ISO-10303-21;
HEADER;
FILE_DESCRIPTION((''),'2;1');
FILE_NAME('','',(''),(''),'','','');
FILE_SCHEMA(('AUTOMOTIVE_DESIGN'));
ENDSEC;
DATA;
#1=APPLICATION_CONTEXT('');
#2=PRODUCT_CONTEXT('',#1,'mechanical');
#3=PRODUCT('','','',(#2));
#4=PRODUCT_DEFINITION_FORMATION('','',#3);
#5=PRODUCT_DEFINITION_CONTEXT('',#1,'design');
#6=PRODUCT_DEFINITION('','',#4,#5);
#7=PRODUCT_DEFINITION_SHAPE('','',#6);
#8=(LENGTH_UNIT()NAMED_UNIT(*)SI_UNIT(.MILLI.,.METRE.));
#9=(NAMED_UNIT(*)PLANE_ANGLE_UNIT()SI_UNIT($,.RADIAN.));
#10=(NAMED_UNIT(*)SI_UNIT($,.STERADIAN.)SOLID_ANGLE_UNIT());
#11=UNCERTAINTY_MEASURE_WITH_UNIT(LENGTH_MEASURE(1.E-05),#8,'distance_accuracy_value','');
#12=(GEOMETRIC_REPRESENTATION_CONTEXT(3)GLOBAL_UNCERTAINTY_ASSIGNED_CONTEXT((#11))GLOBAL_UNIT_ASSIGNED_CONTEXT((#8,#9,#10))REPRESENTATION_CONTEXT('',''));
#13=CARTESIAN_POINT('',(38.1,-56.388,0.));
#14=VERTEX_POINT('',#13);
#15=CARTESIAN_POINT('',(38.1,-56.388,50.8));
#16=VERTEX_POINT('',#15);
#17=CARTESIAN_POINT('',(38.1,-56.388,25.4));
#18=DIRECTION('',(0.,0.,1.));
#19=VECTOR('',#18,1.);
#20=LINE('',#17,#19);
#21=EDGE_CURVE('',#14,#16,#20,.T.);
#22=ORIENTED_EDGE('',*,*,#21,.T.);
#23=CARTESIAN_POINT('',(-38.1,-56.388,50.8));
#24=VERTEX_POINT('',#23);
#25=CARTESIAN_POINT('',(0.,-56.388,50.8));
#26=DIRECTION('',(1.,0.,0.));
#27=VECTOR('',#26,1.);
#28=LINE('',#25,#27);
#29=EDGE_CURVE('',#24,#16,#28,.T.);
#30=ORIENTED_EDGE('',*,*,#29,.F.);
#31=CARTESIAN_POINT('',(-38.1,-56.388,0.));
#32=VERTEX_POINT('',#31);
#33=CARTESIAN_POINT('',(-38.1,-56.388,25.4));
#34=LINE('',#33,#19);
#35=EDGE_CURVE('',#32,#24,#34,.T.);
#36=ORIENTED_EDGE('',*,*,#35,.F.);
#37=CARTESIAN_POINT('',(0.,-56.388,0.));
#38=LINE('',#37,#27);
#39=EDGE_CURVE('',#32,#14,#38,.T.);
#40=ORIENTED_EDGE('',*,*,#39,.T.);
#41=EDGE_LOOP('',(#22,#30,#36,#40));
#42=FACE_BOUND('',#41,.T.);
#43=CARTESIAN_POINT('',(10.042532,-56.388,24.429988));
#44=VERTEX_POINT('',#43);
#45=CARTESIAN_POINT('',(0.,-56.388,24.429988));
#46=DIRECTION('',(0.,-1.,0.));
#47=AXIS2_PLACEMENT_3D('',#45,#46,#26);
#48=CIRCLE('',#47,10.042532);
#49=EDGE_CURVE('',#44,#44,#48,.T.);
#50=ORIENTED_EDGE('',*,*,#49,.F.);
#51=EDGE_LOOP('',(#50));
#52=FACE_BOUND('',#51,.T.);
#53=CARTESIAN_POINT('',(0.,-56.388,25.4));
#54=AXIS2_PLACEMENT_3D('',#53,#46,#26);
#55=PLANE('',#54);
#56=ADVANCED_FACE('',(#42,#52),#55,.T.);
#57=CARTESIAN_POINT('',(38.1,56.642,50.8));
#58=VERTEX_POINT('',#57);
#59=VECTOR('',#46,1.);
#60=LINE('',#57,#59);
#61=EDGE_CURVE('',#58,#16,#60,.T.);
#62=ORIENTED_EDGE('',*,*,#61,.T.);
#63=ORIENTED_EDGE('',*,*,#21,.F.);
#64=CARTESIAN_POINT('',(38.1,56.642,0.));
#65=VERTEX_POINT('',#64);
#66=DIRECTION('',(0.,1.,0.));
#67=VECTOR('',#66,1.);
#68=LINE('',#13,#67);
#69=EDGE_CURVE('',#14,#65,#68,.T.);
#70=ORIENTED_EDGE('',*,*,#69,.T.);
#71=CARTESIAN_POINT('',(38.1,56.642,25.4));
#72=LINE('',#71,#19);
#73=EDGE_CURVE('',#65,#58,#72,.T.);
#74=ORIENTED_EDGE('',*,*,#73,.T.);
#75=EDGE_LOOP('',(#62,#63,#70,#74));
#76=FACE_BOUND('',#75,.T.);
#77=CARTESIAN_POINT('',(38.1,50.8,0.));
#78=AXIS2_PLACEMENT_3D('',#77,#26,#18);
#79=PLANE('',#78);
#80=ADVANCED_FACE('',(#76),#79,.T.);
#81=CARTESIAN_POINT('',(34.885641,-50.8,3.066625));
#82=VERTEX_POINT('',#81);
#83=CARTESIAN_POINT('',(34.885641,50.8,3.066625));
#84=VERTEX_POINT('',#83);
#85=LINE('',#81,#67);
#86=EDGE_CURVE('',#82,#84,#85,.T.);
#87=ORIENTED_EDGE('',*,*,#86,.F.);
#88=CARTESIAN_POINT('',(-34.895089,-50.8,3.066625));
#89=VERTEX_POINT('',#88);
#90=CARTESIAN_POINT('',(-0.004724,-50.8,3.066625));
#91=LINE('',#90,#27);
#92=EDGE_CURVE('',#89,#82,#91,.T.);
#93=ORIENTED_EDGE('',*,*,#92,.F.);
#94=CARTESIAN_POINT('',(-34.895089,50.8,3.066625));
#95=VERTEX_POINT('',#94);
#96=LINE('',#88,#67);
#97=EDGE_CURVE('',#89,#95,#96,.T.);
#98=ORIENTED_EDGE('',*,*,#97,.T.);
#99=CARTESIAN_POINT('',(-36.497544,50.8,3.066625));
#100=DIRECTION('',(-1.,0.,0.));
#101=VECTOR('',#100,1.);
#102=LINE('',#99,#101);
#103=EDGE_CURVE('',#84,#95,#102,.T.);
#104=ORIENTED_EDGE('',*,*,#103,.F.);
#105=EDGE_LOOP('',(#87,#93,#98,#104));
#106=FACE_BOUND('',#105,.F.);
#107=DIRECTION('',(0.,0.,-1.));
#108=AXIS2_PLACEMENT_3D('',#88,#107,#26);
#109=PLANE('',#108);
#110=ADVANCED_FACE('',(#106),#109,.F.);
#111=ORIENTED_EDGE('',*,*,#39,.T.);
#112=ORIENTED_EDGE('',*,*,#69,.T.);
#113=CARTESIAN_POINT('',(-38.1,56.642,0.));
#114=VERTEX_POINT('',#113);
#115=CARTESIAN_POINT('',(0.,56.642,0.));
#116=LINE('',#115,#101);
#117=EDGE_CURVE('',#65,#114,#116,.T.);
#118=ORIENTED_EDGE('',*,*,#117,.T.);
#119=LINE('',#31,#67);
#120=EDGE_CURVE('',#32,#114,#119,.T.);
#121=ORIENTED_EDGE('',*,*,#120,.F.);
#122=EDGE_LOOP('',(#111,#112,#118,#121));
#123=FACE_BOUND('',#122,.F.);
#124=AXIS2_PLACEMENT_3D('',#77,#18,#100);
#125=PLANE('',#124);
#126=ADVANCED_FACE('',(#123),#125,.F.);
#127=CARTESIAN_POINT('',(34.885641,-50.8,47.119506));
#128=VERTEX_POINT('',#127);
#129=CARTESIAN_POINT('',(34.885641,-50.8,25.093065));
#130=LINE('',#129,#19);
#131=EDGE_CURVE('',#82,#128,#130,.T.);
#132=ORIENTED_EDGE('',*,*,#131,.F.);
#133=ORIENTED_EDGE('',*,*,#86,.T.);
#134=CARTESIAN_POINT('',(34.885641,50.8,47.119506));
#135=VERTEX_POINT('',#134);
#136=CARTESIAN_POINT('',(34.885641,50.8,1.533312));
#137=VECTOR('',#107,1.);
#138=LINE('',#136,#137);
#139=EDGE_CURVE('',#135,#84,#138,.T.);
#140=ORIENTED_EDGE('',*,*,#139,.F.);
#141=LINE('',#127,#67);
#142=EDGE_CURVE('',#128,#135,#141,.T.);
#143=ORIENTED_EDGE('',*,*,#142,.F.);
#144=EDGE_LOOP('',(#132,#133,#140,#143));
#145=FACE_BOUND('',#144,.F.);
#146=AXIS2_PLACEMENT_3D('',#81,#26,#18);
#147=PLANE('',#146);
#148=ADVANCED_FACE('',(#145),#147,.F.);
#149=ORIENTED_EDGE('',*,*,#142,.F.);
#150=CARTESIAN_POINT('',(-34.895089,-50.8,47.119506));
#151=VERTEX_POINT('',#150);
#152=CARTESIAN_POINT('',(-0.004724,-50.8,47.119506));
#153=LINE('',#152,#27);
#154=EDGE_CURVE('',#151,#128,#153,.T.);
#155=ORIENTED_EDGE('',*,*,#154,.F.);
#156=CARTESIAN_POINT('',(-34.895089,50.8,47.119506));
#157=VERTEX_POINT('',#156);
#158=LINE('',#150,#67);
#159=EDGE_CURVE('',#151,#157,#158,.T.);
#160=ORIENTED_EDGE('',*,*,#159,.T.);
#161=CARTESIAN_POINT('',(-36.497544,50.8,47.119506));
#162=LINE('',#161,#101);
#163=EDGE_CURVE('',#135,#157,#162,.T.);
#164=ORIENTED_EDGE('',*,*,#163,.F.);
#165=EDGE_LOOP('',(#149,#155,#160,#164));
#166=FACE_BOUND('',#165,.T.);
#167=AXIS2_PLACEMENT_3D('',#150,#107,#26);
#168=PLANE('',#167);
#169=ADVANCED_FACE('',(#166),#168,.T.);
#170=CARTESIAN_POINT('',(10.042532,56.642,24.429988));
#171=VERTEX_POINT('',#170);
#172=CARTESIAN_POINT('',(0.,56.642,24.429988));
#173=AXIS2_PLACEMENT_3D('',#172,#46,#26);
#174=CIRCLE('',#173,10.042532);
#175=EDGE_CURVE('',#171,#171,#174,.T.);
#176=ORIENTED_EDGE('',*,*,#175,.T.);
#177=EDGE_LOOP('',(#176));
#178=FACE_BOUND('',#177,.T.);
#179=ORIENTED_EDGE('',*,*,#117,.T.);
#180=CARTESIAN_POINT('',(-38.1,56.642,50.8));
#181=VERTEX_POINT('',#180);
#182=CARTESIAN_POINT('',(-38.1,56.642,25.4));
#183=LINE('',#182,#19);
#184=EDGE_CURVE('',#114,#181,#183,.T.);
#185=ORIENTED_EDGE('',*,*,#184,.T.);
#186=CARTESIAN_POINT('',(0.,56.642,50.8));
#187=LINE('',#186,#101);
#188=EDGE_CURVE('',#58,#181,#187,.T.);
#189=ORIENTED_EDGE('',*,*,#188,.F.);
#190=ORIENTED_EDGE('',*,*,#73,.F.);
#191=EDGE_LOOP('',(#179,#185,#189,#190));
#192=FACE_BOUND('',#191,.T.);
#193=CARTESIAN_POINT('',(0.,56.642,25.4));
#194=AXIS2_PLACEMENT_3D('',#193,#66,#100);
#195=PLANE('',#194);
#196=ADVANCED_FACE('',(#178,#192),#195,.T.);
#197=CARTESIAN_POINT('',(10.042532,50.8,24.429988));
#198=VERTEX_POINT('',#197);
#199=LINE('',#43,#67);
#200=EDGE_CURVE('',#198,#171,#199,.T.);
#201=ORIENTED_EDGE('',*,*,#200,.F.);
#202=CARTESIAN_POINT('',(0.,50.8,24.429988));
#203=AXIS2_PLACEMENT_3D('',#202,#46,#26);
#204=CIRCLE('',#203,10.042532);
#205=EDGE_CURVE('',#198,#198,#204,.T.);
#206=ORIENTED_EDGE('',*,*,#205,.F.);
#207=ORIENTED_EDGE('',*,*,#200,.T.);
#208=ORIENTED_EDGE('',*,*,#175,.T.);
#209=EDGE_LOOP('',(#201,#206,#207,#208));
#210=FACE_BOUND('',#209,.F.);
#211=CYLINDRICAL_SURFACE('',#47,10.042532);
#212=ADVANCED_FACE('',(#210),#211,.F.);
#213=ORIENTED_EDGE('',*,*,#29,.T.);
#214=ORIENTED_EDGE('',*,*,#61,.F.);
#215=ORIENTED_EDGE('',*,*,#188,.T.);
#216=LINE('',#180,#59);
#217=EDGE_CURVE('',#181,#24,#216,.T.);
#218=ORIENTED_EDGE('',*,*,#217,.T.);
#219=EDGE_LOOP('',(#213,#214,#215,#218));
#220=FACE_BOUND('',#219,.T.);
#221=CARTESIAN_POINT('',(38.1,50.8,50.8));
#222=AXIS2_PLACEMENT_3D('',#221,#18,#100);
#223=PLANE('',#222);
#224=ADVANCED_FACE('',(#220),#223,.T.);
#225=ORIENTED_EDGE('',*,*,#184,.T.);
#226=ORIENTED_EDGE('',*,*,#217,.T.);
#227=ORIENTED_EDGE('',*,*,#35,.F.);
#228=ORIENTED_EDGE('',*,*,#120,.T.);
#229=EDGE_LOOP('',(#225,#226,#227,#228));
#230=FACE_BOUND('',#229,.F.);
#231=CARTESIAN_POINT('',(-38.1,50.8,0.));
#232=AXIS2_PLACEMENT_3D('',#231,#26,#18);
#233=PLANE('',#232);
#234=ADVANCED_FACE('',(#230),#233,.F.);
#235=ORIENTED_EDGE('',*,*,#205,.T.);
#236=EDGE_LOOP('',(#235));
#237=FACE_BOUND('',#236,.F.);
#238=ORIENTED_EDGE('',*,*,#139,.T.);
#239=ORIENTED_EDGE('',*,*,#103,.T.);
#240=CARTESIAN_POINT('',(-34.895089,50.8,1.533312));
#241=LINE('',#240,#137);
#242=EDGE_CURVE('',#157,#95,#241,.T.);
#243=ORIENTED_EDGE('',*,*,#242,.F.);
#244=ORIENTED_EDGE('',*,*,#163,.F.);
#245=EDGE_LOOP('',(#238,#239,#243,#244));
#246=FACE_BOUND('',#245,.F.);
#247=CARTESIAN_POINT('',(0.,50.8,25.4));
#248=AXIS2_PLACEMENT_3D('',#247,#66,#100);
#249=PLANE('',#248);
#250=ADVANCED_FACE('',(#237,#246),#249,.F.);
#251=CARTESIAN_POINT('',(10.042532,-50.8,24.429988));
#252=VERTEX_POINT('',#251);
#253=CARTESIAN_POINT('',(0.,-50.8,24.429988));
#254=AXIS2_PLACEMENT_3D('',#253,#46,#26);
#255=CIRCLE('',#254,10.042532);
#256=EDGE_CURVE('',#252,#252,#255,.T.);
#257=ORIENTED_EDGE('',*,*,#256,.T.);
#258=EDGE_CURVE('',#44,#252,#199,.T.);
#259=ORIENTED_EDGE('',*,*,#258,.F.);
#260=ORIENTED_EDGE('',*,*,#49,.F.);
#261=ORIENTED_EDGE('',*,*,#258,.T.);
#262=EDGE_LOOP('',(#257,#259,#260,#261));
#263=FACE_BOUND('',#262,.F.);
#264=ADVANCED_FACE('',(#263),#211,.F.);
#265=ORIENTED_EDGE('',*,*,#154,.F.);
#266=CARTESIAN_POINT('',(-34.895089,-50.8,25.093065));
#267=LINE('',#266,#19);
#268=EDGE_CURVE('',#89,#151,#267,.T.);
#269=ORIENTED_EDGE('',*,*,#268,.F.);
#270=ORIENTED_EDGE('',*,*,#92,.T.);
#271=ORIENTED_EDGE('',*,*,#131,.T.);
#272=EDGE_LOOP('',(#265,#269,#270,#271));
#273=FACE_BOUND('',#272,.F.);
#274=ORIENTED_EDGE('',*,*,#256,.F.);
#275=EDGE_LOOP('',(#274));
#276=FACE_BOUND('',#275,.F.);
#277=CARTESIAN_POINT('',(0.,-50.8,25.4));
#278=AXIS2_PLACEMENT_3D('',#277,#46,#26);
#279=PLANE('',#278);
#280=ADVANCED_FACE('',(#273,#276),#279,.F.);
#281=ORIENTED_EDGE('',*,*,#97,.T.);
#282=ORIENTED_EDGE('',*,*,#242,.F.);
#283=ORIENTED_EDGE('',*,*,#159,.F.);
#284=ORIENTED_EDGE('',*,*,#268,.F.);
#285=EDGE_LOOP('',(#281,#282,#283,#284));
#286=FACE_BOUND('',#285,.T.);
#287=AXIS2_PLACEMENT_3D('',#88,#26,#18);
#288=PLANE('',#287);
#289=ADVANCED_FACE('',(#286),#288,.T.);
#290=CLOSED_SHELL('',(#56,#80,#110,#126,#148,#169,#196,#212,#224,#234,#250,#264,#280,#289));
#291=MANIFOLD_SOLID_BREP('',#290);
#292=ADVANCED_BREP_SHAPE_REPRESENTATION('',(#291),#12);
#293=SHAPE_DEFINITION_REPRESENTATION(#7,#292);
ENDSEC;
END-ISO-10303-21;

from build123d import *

# Parameters (mm, degrees)
F0_W     = 76.2
F0_H     = 101.6
F1_DEPTH = 50.8
F2_W     = 69.7807297111
F2_H     = 44.052880723
F3_DEPTH = 159.766
F4_W     = 76.2
F4_H     = 50.8
F5_DEPTH = 5.588
F6_W     = 76.2
F6_H     = 50.8
F7_DEPTH = 5.842
F8_R     = 10.042531578
F9_DEPTH = 166.116


with BuildPart() as f1:
    # F0 (on Top) → F1 (new body)
    with BuildSketch(Plane.XY):
        Rectangle(F0_W, F0_H)
    extrude(amount=F1_DEPTH)

    # F2 (on face) → F3 (cut)
    with BuildSketch(Plane.XZ.offset(50.8)):
        with Locations((-0.0047236681, 25.0930653419)):
            Rectangle(F2_W, F2_H)
    extrude(amount=-F3_DEPTH, mode=Mode.SUBTRACT)

    # F4 (on face) → F5 (join)
    with BuildSketch(Plane.XZ.offset(50.8)):
        with Locations((0, 25.4)):
            Rectangle(F4_W, F4_H)
    extrude(amount=F5_DEPTH)

    # F6 (on face) → F7 (join)
    with BuildSketch(Plane(origin=(0, 50.8, 0), x_dir=(-1, 0, 0), z_dir=(0, 1, 0))):
        with Locations((0, 25.4)):
            Rectangle(F6_W, F6_H)
    extrude(amount=F7_DEPTH)

    # F8 (on face) → F9 (cut)
    with BuildSketch(Plane.XZ.offset(56.388)):
        with Locations((0, 24.429988116)):
            Circle(F8_R)
    extrude(amount=-F9_DEPTH, mode=Mode.SUBTRACT)


solid = f1.part
